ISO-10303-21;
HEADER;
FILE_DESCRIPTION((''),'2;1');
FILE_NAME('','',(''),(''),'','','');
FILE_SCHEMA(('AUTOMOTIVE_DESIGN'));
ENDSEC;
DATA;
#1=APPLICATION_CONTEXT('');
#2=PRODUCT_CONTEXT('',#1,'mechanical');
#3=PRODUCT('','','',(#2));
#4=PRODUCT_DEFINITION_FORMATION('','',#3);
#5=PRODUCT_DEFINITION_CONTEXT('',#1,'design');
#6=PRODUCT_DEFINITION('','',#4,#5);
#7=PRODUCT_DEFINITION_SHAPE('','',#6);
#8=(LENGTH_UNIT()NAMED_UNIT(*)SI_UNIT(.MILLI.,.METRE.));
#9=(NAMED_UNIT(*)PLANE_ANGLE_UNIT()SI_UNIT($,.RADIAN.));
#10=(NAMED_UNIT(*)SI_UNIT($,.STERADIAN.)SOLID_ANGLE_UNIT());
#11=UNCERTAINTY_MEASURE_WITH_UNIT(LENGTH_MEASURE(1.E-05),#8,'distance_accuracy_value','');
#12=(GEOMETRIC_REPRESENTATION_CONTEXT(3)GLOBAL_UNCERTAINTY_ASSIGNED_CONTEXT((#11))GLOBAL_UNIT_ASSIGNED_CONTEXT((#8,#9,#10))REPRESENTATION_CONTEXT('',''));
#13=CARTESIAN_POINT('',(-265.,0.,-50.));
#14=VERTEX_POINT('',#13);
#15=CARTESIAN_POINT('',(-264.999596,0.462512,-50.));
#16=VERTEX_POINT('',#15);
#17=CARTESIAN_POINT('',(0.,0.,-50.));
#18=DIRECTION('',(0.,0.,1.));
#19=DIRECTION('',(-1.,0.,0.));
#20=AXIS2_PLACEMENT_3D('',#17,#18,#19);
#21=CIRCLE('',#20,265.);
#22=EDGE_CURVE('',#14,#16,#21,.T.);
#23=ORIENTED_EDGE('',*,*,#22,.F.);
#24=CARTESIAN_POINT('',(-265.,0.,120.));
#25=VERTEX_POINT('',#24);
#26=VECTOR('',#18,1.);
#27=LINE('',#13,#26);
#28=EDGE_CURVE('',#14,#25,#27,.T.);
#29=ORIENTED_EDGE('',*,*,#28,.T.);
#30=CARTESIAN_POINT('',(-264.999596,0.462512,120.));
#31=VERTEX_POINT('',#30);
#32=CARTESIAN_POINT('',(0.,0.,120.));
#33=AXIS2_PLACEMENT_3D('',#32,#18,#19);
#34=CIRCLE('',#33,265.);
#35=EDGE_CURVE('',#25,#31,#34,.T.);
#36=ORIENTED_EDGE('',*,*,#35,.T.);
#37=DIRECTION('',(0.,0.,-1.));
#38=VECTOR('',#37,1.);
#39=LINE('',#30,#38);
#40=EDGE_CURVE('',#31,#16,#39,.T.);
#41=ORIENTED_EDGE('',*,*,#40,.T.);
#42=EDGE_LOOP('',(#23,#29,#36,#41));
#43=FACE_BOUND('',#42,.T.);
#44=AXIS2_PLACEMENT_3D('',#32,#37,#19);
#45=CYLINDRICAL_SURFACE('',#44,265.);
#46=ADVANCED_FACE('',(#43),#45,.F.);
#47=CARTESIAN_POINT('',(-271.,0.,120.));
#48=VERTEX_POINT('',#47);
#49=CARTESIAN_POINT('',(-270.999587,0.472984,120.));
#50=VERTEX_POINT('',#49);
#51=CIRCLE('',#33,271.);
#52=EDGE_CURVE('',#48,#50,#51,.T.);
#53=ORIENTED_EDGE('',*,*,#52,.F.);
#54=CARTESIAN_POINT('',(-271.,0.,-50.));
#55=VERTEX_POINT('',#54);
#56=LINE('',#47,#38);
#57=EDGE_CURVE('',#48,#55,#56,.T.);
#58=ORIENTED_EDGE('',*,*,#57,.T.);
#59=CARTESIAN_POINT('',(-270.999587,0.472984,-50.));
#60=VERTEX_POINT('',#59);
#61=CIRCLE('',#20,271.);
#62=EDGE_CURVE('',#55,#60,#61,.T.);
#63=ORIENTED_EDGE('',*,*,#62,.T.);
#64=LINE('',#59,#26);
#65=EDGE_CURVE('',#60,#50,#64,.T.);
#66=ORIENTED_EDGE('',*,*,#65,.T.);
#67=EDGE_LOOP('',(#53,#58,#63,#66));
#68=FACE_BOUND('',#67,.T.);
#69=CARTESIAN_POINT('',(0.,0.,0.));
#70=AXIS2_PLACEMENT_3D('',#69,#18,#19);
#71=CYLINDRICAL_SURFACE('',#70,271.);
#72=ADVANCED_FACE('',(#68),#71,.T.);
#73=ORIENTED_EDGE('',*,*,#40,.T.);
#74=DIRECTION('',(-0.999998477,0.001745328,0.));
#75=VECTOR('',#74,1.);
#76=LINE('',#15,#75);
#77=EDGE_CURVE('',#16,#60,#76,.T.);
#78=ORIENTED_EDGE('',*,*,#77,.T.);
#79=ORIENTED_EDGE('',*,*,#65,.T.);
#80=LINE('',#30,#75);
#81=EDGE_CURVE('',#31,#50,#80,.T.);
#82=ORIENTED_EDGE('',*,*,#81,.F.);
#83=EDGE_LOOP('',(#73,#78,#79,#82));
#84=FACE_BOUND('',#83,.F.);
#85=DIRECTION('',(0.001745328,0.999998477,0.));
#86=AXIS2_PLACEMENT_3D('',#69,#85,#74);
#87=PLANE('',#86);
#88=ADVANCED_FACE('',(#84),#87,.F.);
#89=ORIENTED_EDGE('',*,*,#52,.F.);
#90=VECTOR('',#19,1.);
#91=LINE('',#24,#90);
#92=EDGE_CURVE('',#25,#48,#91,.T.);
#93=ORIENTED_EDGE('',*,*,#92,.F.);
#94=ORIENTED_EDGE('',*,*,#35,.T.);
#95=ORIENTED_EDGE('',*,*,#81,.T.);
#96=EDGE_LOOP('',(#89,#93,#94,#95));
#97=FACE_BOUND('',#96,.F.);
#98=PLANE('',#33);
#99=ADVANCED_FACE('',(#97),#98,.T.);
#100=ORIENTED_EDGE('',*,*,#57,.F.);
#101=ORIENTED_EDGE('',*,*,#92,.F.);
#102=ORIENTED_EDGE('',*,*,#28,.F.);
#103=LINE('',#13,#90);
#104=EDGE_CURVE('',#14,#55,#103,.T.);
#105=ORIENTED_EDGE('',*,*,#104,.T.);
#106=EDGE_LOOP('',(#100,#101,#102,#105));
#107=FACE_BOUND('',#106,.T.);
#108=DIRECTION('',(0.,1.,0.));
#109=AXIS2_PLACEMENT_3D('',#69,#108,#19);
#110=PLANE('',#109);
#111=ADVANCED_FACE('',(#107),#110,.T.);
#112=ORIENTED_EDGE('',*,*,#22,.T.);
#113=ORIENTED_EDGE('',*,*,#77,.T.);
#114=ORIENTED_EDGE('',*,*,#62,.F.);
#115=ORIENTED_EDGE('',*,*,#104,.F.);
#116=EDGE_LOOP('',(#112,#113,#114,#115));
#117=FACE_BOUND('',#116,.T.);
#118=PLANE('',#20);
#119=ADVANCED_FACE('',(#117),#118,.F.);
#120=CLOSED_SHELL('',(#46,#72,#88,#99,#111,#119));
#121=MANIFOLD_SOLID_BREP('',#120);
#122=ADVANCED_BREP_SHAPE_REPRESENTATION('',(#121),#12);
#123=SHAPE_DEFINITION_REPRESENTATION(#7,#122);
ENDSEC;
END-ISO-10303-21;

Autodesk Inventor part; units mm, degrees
ref_plane "YZ Plane" through (0, 0, 0) normal (1, 0, 0) x (0, 1, 0)
ref_plane "XZ Plane" through (0, 0, 0) normal (0, 1, 0) x (-1, 0, 0)
ref_plane "XY Plane" through (0, 0, 0) normal (0, 0, 1) x (1, 0, 0)
sketch "Sketch1" plane through (0, 0, 0) normal (0, 1, 0) x (-1, 0, 0)
  line L0 (265, 120) -> (265, 0)
  line L1 (265, 0) -> (271, 0)
  line L2 (0, 0) -> (0, 109.131)
  line L3 (265, 120) -> (271, 120)
  line L4 (271, 0) -> (271, 120)
  line L5 (271, 0) -> (265, 0)
  line L6 (265, 0) -> (265, -50)
  line L7 (265, -50) -> (271, -50)
  line L8 (271, -50) -> (271, 0)
  point P0 (268, 0)
  point P1 (271, 0)
  dimension "d3" = 6
  dimension "d4" = 530
  dimension "d5" = 120
  dimension "d7" = 6
  dimension "d8" = 50
revolve "Revolution1" add sketch "Sketch1" angle 359.9 about axis through (0, 0, 0) along (0, 0, 1)
sketch "Sketch2" plane through (0, 0, 0) normal (0, 1, 0) x (-1, 0, 0)
  circle A0 centre (0, -476) radius 476
  point P0 (0, 0)
  dimension "d9" = 952
extrude "Extrusion1" [suppressed]
equation "\"d4\" = Accsess_hatch_diameter"
equation "\"d5\" = Accsess_hatch_lenght"
equation "\"d7\" = d3"
equation "\"BendRadius\" = Thickness"
equation "\"BendReliefWidth\" = Thickness"
equation "\"BendReliefDepth\" = 0.5 * Thickness"
equation "\"CornerReliefSize\" = 4 * Thickness"
equation "\"MinimumRemnant\" = 2 * Thickness"
equation "\"TransitionRadius\" = BendRadius"
equation "\"JacobiRadiusSize\" = BendRadius"
equation "\"GapSize\" = Thickness"
equation "\"Accsess_hatch_diameter\" = 530"
equation "\"Accsess_hatch_lenght\" = 120"
equation "\"Thickness\" = 6"
properties part number "PNS 1603 accses hatch tube"
